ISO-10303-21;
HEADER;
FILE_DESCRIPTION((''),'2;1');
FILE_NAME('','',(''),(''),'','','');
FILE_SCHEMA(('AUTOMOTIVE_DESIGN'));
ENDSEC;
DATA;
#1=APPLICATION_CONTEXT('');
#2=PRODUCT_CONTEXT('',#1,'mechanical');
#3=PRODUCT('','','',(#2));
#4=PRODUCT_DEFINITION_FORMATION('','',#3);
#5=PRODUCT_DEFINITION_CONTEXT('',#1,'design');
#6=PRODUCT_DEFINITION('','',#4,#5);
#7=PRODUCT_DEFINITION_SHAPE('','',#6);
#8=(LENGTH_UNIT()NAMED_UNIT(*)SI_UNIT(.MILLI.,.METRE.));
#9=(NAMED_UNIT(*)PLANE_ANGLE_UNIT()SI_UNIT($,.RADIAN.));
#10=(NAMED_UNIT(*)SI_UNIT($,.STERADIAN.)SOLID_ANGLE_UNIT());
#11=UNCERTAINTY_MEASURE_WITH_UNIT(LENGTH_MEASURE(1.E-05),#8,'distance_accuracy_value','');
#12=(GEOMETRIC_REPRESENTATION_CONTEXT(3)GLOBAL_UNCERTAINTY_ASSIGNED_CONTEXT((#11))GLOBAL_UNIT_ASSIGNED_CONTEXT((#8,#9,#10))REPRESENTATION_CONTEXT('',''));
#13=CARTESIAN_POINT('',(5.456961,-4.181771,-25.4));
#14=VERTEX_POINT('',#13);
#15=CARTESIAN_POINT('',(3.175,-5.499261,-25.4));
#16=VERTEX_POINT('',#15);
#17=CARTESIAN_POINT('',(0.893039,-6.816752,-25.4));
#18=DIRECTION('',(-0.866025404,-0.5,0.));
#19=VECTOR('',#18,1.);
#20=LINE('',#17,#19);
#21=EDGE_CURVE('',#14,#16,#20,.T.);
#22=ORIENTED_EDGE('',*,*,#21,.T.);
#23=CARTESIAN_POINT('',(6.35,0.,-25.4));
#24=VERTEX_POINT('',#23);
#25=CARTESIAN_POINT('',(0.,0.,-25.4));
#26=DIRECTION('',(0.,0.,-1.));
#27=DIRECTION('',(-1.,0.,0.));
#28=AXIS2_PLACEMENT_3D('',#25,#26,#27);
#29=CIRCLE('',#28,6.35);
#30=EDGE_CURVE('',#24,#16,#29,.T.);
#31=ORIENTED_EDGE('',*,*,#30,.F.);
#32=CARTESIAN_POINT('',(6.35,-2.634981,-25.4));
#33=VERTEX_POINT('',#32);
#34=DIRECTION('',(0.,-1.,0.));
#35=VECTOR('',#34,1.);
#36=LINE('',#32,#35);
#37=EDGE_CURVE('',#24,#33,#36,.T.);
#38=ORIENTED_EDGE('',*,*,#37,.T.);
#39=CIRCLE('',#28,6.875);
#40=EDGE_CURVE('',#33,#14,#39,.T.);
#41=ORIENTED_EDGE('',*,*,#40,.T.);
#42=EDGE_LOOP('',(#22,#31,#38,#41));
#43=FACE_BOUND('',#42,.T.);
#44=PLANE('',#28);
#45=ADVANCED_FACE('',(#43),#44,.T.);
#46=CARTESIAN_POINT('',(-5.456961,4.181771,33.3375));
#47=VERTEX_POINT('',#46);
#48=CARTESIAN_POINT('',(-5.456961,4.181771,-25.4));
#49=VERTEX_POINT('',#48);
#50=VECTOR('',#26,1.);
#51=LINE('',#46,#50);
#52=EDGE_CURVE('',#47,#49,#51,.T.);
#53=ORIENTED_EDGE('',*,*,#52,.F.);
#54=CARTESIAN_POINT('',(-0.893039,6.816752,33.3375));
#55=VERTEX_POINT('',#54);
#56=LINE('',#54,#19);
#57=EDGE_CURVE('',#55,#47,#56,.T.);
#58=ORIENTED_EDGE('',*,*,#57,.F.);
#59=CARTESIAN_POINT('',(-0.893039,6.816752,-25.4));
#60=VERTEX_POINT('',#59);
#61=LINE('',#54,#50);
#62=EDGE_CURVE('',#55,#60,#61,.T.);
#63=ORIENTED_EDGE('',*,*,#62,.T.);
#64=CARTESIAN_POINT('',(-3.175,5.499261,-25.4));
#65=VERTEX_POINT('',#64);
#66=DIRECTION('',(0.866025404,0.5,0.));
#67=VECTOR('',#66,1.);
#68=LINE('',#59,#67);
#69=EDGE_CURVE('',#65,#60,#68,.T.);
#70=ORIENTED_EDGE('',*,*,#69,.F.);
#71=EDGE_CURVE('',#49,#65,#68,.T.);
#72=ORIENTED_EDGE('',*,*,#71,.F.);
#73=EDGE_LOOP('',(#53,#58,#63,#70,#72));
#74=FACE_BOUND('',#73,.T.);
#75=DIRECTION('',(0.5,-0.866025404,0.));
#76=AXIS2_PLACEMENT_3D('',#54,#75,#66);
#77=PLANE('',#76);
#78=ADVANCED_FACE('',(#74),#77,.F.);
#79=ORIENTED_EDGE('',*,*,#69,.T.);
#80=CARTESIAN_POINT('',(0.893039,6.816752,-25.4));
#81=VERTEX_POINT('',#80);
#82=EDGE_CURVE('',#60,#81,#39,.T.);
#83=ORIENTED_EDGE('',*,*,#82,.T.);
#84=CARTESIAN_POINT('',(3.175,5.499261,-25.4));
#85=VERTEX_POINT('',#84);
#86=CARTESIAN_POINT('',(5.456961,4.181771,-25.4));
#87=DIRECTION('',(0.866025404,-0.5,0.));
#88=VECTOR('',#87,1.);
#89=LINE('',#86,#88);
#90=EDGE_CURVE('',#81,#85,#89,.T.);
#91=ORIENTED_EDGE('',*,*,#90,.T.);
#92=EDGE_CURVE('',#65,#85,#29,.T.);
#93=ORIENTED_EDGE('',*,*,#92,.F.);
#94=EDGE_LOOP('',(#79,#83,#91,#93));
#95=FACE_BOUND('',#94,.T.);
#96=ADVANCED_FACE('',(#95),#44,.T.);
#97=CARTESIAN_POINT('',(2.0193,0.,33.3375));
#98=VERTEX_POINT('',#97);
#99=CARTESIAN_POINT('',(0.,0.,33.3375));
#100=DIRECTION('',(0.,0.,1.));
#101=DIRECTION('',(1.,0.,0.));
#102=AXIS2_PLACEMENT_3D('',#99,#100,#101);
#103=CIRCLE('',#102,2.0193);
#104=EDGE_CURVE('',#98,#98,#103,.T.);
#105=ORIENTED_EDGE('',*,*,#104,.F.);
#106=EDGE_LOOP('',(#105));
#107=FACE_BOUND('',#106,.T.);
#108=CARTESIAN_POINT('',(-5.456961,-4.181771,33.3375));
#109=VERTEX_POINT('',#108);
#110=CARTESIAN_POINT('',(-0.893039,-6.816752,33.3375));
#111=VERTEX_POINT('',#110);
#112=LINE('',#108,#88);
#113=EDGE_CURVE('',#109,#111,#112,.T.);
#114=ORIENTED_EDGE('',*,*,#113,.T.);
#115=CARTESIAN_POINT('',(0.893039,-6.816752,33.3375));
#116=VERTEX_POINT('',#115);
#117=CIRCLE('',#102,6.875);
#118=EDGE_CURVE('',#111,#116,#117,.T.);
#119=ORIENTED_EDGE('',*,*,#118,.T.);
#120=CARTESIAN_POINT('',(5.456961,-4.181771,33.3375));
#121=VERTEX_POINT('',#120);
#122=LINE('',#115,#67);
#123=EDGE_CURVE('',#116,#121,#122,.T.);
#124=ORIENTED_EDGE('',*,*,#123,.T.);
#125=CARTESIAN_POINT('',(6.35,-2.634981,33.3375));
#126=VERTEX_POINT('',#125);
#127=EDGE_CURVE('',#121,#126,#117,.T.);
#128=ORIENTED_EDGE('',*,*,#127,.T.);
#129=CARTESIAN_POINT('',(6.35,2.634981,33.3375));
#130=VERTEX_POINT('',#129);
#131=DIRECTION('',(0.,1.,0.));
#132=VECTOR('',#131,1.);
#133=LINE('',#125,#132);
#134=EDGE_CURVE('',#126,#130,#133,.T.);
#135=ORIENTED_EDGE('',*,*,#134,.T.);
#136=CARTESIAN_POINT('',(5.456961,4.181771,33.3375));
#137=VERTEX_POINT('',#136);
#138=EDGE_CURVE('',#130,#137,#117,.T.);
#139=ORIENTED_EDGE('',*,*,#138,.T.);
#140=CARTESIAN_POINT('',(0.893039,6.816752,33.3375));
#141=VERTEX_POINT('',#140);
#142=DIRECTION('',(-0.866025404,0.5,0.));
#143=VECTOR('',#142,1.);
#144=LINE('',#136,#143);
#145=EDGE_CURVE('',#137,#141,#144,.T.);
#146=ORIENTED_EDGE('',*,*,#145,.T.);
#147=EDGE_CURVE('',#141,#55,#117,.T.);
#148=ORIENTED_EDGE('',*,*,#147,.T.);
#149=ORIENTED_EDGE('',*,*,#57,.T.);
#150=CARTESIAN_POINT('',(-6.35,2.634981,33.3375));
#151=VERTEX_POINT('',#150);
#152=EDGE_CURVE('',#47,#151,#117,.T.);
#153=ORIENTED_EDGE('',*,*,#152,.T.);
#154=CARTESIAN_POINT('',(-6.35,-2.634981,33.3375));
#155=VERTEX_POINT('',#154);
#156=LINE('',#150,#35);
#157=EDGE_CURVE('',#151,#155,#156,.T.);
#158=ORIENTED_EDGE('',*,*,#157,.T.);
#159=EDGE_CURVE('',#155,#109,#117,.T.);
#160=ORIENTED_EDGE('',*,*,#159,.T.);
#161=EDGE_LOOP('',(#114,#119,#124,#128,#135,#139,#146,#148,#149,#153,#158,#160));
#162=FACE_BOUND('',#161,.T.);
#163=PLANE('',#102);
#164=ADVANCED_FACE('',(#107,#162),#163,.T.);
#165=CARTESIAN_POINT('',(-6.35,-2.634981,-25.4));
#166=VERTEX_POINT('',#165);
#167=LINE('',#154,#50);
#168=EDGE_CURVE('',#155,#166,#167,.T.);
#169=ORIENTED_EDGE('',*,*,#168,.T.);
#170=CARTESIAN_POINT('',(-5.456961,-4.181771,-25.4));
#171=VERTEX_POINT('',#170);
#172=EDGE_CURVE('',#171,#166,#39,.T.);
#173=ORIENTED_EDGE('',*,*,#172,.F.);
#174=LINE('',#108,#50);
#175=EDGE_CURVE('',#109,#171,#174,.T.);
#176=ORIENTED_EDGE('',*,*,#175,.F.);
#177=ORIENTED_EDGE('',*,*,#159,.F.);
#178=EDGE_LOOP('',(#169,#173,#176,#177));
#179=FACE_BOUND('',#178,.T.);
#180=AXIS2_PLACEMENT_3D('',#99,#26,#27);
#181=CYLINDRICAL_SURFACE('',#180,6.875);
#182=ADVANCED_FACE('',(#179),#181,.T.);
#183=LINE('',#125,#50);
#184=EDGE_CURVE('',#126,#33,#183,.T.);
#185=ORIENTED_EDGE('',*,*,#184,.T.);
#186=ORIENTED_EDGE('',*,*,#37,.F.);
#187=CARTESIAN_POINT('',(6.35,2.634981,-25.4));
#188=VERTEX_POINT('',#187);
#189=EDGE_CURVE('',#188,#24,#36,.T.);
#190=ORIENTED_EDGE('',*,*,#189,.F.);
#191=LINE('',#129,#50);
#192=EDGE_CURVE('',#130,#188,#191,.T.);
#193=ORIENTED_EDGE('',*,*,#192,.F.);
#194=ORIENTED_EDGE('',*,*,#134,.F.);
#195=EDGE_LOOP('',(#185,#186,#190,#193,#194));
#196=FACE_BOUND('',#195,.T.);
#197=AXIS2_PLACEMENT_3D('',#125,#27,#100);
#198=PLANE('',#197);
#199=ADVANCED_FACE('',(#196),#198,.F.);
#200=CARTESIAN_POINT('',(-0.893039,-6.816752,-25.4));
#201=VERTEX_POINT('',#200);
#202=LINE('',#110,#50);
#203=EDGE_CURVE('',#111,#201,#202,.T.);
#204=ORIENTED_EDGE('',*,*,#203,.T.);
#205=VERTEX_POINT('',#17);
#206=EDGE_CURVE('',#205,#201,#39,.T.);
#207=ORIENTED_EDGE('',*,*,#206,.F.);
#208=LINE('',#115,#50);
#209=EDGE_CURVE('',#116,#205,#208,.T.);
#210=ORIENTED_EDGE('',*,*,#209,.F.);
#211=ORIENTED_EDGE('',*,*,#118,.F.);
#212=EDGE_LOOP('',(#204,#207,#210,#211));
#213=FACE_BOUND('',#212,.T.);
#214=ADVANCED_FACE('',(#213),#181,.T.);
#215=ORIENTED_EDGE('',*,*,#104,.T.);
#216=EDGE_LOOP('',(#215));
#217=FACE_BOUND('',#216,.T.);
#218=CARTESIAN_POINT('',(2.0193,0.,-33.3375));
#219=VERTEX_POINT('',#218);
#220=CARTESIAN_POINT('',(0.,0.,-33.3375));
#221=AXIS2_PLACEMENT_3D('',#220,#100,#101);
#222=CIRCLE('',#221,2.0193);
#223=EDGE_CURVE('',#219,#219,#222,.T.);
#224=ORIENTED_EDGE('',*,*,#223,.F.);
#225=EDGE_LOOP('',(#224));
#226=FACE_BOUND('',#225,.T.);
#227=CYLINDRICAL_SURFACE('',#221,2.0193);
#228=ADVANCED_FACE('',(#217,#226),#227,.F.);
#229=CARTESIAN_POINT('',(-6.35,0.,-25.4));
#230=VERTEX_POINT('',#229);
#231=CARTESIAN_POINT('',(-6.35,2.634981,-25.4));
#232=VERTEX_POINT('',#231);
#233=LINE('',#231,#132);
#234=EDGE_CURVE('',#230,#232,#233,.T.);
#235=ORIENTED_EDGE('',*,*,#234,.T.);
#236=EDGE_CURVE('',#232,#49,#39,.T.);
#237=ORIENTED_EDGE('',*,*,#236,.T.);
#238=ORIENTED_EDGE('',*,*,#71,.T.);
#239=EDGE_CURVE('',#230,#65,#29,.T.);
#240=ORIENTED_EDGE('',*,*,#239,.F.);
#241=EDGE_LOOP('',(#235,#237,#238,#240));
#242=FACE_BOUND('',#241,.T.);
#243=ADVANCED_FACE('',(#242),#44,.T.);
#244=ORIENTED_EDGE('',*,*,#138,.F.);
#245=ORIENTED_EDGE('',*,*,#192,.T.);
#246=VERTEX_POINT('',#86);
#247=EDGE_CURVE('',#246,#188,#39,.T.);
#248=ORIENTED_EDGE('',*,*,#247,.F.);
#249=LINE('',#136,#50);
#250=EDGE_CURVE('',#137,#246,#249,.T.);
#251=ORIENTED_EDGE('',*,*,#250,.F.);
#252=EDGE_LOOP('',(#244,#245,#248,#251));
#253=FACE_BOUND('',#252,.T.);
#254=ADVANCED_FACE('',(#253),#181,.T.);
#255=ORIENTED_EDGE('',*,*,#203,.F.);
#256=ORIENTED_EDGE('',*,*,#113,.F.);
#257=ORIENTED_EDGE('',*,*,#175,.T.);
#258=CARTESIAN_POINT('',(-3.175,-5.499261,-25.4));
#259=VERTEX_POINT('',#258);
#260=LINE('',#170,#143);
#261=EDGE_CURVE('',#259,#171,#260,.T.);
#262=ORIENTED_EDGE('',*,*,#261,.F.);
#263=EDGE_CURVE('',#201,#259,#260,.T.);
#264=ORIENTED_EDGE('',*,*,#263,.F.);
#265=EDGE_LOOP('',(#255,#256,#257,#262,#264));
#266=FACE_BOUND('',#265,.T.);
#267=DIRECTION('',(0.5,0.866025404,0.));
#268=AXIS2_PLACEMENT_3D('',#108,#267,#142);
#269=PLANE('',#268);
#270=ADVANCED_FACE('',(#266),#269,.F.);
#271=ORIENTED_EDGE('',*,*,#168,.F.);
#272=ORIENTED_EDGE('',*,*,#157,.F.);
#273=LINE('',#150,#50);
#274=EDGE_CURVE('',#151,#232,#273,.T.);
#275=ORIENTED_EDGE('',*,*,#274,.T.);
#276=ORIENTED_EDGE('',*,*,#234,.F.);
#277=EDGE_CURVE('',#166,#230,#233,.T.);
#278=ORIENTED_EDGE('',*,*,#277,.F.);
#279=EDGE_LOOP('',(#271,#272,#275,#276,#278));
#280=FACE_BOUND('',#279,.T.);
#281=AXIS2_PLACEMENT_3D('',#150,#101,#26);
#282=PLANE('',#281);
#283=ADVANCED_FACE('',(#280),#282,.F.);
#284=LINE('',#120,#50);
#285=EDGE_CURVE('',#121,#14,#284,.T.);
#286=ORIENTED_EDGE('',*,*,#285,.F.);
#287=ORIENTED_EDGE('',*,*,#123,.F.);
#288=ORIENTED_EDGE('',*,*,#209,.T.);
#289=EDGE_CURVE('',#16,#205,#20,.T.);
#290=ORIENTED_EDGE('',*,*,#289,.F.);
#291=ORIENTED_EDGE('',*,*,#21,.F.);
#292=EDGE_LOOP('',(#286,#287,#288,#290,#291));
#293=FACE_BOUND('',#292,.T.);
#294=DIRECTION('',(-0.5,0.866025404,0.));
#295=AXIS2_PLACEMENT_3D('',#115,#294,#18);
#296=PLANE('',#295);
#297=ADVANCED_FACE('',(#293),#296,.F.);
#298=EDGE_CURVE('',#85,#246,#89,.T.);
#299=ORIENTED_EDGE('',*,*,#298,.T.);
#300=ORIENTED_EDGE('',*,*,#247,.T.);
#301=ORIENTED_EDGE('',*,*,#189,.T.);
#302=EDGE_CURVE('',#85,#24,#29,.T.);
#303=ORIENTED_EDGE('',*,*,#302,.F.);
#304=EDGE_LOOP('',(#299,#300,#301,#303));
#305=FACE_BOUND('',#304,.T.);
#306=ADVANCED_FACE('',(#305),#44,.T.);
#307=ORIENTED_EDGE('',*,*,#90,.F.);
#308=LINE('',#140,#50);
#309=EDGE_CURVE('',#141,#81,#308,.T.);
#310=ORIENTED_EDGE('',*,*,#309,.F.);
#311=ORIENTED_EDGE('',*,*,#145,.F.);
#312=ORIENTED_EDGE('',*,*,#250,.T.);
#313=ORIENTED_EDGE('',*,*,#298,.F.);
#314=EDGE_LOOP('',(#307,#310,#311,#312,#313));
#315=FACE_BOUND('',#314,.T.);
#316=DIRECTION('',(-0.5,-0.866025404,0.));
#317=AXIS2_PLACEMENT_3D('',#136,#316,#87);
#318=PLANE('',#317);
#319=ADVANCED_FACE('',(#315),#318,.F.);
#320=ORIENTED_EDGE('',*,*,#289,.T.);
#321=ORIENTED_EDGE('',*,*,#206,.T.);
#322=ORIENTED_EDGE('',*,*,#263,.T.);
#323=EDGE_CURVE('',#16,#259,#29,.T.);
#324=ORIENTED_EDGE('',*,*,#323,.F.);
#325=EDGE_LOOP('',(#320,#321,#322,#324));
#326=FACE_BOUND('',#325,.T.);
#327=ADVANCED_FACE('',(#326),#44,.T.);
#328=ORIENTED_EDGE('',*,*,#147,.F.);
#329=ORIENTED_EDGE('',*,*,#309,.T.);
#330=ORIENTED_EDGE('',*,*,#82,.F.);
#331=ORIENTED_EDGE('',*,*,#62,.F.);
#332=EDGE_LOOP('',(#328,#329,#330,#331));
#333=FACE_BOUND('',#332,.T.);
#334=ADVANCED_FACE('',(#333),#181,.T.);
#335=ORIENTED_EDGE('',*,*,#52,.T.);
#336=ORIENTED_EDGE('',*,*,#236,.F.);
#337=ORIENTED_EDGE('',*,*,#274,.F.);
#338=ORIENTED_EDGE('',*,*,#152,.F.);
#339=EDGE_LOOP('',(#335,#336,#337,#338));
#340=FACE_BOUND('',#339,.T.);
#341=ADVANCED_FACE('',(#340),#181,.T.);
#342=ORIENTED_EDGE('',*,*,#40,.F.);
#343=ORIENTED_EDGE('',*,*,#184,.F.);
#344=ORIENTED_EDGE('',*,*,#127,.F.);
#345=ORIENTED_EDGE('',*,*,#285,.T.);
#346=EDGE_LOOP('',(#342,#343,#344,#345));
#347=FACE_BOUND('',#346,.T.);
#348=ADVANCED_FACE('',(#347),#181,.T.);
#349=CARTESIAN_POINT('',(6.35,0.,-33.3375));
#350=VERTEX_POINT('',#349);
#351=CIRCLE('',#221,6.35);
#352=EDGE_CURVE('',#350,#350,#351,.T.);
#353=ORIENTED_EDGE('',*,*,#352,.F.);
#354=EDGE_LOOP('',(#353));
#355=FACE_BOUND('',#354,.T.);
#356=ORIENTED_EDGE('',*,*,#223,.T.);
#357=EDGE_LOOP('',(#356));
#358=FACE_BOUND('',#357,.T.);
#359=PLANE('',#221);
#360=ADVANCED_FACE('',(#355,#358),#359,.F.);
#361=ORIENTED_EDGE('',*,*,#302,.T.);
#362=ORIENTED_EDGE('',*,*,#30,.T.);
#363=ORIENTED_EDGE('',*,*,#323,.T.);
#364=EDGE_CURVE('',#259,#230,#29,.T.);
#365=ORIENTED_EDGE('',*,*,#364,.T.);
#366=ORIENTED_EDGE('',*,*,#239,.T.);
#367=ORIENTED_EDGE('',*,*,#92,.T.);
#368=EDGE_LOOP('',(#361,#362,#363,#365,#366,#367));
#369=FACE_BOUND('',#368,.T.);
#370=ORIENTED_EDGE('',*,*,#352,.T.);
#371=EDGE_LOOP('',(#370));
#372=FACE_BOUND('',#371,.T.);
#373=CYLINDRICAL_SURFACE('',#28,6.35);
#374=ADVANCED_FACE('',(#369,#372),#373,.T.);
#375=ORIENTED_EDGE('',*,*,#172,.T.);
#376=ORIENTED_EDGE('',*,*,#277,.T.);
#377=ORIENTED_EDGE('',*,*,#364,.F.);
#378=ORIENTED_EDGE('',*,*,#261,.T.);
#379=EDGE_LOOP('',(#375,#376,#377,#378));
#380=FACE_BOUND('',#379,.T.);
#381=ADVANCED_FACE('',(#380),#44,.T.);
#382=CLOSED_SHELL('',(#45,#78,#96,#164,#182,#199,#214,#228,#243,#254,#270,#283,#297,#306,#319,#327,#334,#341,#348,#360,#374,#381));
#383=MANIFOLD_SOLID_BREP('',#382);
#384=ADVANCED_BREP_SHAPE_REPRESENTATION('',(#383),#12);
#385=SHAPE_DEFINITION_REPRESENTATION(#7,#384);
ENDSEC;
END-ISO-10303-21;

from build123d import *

# Parameters (mm, degrees)
BOSS_EXTRUDE1_DEPTH                  = 33.3375
SKETCH3_R                            = 2.0193
CUT_EXTRUDE1_DEPTH                   = 68.328625042
CUT_EXTRUDE3_START                   = -7.9375
SKETCH8_R                            = 6.875
SKETCH8_R_2                          = 6.35
CUT_EXTRUDE3_DEPTH                   = 7.9375
F_10_32_TAPPED_HOLE1_D               = 4.0386
F_10_32_TAPPED_HOLE1_DEPTH           = 12.02944
F_10_32_TAPPED_HOLE1_TIP             = 1.213317848
F_10_32_TAPPED_HOLE1_ON_FACE_2_D     = 4.0386
F_10_32_TAPPED_HOLE1_ON_FACE_2_DEPTH = 12.02944
F_10_32_TAPPED_HOLE1_ON_FACE_2_TIP   = 1.213317848


with BuildPart() as part:
    # Sketch1 → Boss-Extrude1 (new, symmetric)
    with BuildSketch(Plane.XY):
        with BuildLine():
            Line((-0.893039494, 6.816751826), (-5.456960506, 4.181770802))
            ThreePointArc((-5.456960506, 4.181770802), (-5.953924651, 3.4375), (-6.35, 2.634981025))
            Line((-6.35, 2.634981025), (-6.35, -2.634981025))
            ThreePointArc((-6.35, -2.634981025), (-5.953924651, -3.4375), (-5.456960506, -4.181770802))
            Line((-5.456960506, -4.181770802), (-0.893039494, -6.816751826))
            ThreePointArc((-0.893039494, -6.816751826), (0, -6.875), (0.893039494, -6.816751826))
            Line((0.893039494, -6.816751826), (5.456960506, -4.181770802))
            ThreePointArc((5.456960506, -4.181770802), (5.953924651, -3.4375), (6.35, -2.634981025))
            Line((6.35, -2.634981025), (6.35, 2.634981025))
            ThreePointArc((6.35, 2.634981025), (5.953924651, 3.4375), (5.456960506, 4.181770802))
            Line((5.456960506, 4.181770802), (0.893039494, 6.816751826))
            ThreePointArc((0.893039494, 6.816751826), (0, 6.875), (-0.893039494, 6.816751826))
        make_face()
    extrude(amount=BOSS_EXTRUDE1_DEPTH, both=True)

    # Sketch3 → Cut-Extrude1 (cut, through all)
    with BuildSketch(Plane.XY.offset(33.3375)):
        Circle(SKETCH3_R)
    extrude(amount=-CUT_EXTRUDE1_DEPTH, mode=Mode.SUBTRACT)

    # Sketch8 → Cut-Extrude3 (cut)
    with BuildSketch(Plane(origin=(0, 0, -33.3375), x_dir=(-1, 0, 0), z_dir=(0, 0, -1)).offset(CUT_EXTRUDE3_START)):
        Circle(SKETCH8_R)
        with Locations(Location((0, 0, 0), (0, 0, 180))):
            Circle(SKETCH8_R_2, mode=Mode.SUBTRACT)
    extrude(amount=CUT_EXTRUDE3_DEPTH, mode=Mode.SUBTRACT)

    # #10-32 Tapped Hole1
    with Locations(Plane(origin=(0, 0, -33.3375), x_dir=(-1, 0, 0), z_dir=(0, 0, -1))):
        with Locations((0, 0)):
            Hole(F_10_32_TAPPED_HOLE1_D / 2, depth=F_10_32_TAPPED_HOLE1_DEPTH)
            with Locations((0, 0, -(F_10_32_TAPPED_HOLE1_DEPTH + F_10_32_TAPPED_HOLE1_TIP / 2))):  # 118° drill point
                Cone(0, F_10_32_TAPPED_HOLE1_D / 2, F_10_32_TAPPED_HOLE1_TIP, mode=Mode.SUBTRACT)

    # #10-32 Tapped Hole1 on face 2
    with Locations(Plane(origin=(0, 0, 33.3375), x_dir=(-1, 0, 0), z_dir=(0, 0, -1))):
        with Locations((0, 0)):
            Hole(F_10_32_TAPPED_HOLE1_ON_FACE_2_D / 2, depth=F_10_32_TAPPED_HOLE1_ON_FACE_2_DEPTH)
            with Locations((0, 0, -(F_10_32_TAPPED_HOLE1_ON_FACE_2_DEPTH + F_10_32_TAPPED_HOLE1_ON_FACE_2_TIP / 2))):  # 118° drill point
                Cone(0, F_10_32_TAPPED_HOLE1_ON_FACE_2_D / 2, F_10_32_TAPPED_HOLE1_ON_FACE_2_TIP, mode=Mode.SUBTRACT)


solid = part.part
